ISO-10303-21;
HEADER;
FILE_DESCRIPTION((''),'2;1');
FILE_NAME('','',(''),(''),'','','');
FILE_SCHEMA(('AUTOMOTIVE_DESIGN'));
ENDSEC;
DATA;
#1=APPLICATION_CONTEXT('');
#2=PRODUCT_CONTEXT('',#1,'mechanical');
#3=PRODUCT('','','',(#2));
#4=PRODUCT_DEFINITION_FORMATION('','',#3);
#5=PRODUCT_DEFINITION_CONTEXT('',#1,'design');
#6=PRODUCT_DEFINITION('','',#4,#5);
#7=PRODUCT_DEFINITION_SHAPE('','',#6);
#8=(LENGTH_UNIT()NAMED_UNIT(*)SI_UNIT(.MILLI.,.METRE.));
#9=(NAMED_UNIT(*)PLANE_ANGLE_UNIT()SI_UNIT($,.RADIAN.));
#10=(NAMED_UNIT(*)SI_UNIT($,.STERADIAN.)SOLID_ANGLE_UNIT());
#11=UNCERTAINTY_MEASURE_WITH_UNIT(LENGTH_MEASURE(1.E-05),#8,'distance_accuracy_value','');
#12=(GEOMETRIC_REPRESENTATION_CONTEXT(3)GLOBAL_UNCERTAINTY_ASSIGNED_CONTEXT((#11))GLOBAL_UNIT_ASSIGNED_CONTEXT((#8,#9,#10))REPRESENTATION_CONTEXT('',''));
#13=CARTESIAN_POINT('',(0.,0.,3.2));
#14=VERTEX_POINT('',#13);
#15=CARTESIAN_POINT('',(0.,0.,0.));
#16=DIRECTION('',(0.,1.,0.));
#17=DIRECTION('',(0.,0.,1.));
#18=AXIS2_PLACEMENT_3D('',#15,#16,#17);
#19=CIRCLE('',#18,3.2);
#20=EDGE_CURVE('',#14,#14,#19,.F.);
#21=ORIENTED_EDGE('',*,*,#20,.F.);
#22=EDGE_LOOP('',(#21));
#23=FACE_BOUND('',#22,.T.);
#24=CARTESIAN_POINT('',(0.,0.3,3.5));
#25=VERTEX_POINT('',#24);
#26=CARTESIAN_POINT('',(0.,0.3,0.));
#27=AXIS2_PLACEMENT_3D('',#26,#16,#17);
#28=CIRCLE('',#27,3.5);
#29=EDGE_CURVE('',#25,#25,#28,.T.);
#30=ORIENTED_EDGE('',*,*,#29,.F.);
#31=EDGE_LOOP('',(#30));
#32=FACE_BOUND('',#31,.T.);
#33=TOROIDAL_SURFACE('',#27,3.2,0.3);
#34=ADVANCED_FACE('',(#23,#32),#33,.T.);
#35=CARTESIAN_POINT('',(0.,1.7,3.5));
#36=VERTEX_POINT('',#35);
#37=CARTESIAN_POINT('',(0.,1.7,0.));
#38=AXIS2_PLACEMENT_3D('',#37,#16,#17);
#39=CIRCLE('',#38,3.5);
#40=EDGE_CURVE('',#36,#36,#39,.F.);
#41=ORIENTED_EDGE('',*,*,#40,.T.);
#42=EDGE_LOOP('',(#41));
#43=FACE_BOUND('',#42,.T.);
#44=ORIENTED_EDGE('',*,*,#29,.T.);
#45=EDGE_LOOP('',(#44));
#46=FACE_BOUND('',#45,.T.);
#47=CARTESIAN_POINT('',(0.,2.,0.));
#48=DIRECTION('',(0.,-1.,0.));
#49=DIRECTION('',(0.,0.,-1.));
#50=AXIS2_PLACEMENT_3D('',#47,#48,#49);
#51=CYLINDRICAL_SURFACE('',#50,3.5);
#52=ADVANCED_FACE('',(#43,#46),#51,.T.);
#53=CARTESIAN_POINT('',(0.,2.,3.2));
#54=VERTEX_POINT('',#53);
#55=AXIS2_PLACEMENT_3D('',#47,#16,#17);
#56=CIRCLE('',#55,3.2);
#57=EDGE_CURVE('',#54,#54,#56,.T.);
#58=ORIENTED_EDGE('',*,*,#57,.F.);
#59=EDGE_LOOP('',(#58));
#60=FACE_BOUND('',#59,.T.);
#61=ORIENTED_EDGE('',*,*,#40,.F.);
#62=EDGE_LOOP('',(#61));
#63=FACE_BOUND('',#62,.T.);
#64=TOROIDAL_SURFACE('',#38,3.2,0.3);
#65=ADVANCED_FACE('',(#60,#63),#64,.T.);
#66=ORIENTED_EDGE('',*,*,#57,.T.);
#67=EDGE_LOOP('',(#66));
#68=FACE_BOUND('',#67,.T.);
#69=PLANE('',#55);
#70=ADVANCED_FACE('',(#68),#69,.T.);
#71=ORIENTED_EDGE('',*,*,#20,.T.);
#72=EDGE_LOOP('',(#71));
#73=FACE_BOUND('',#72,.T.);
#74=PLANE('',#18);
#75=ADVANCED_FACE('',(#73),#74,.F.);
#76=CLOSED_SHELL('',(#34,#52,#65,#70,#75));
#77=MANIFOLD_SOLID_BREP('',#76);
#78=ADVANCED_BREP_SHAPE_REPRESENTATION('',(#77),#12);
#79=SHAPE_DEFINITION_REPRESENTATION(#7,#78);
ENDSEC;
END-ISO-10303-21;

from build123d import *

# Parameters (mm, degrees)
SKETCH1_R           = 3.5
BOSS_EXTRUDE1_DEPTH = 2
FILLET1_R           = 0.3


with BuildPart() as part:
    # Sketch1 → Boss-Extrude1 (new body)
    with BuildSketch(Plane(origin=(0, 0, 0), x_dir=(1, 0, 0), z_dir=(0, 1, 0))):
        Circle(SKETCH1_R)
    extrude(amount=BOSS_EXTRUDE1_DEPTH)

    # Fillet1
    fillet1_edges = [part.edges().sort_by_distance(p)[0] for p in [
        (-3.5, 0, 0),
        (-3.5, 2, 0),
    ]]
    fillet(fillet1_edges, radius=FILLET1_R)


solid = part.part
